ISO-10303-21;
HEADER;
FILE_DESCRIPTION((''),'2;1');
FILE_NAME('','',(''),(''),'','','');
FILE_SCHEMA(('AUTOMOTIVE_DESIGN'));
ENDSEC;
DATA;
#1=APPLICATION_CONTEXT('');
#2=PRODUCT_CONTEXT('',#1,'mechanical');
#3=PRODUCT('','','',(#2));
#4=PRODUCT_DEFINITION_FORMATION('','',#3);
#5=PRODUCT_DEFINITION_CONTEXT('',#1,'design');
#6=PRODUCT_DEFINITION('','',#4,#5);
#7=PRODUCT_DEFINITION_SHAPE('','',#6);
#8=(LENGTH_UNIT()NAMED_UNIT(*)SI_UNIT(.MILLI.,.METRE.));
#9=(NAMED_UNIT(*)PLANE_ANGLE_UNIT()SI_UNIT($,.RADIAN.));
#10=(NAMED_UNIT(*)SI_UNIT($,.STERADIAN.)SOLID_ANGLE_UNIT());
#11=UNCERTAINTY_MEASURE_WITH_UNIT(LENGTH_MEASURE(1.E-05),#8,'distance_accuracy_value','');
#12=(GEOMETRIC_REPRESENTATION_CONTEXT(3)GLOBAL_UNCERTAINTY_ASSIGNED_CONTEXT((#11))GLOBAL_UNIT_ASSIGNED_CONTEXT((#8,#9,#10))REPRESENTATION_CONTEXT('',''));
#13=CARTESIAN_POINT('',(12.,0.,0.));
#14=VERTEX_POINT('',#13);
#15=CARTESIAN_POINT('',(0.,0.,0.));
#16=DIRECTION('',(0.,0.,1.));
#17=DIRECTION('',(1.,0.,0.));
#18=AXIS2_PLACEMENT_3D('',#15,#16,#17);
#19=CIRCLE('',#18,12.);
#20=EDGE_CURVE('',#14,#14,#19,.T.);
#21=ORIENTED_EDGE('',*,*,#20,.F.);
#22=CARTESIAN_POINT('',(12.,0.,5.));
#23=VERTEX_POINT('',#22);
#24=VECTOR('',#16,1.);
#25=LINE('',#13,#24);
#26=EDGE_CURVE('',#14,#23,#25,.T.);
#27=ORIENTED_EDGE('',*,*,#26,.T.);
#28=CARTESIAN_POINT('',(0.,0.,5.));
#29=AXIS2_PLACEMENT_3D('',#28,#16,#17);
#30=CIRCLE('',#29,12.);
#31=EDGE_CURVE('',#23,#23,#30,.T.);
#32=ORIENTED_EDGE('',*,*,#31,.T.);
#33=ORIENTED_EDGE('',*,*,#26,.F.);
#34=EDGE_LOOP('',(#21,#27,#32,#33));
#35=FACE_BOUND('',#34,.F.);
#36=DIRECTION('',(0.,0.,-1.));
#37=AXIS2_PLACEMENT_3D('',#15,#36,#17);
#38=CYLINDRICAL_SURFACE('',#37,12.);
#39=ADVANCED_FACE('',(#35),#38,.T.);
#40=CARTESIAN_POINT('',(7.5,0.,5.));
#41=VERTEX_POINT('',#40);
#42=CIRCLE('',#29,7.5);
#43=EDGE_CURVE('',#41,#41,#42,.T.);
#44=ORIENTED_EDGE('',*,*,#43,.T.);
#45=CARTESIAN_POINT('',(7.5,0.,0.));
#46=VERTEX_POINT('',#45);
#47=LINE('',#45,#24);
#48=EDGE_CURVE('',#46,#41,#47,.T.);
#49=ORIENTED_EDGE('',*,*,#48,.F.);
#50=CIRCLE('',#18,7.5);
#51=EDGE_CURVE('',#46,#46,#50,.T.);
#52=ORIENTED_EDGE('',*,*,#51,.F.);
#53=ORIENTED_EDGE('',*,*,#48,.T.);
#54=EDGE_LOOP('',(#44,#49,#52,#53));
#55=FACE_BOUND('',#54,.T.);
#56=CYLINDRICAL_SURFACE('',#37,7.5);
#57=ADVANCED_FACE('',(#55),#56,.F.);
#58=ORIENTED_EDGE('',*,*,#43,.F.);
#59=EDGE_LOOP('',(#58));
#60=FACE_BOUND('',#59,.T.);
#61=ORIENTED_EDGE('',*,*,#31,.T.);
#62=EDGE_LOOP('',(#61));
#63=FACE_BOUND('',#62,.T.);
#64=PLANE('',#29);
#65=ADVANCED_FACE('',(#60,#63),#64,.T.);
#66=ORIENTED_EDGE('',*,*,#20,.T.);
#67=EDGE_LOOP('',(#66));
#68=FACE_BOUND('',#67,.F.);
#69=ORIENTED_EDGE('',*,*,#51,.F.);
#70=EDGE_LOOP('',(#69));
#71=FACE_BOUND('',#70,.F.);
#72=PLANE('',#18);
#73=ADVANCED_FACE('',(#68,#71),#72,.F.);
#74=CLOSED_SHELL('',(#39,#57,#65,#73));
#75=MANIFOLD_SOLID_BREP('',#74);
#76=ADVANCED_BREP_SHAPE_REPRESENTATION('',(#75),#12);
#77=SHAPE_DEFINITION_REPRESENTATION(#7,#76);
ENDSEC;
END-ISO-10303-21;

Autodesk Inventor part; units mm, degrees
ref_plane "YZ Plane" through (0, 0, 0) normal (1, 0, 0) x (0, 1, 0)
ref_plane "XZ Plane" through (0, 0, 0) normal (0, 1, 0) x (-1, 0, 0)
ref_plane "XY Plane" through (0, 0, 0) normal (0, 0, 1) x (1, 0, 0)
sketch "Sketch1" plane through (0, 0, 0) normal (0, 0, 1) x (1, 0, 0)
  circle A0 centre (0, 0) radius 7.5
  circle A1 centre (0, 0) radius 12
  dimension "d0" = 15
  dimension "d1" = 24
extrude "Extrusion1" add sketch "Sketch1" along normal blind 5
properties part number "bearing_15_24_5"
